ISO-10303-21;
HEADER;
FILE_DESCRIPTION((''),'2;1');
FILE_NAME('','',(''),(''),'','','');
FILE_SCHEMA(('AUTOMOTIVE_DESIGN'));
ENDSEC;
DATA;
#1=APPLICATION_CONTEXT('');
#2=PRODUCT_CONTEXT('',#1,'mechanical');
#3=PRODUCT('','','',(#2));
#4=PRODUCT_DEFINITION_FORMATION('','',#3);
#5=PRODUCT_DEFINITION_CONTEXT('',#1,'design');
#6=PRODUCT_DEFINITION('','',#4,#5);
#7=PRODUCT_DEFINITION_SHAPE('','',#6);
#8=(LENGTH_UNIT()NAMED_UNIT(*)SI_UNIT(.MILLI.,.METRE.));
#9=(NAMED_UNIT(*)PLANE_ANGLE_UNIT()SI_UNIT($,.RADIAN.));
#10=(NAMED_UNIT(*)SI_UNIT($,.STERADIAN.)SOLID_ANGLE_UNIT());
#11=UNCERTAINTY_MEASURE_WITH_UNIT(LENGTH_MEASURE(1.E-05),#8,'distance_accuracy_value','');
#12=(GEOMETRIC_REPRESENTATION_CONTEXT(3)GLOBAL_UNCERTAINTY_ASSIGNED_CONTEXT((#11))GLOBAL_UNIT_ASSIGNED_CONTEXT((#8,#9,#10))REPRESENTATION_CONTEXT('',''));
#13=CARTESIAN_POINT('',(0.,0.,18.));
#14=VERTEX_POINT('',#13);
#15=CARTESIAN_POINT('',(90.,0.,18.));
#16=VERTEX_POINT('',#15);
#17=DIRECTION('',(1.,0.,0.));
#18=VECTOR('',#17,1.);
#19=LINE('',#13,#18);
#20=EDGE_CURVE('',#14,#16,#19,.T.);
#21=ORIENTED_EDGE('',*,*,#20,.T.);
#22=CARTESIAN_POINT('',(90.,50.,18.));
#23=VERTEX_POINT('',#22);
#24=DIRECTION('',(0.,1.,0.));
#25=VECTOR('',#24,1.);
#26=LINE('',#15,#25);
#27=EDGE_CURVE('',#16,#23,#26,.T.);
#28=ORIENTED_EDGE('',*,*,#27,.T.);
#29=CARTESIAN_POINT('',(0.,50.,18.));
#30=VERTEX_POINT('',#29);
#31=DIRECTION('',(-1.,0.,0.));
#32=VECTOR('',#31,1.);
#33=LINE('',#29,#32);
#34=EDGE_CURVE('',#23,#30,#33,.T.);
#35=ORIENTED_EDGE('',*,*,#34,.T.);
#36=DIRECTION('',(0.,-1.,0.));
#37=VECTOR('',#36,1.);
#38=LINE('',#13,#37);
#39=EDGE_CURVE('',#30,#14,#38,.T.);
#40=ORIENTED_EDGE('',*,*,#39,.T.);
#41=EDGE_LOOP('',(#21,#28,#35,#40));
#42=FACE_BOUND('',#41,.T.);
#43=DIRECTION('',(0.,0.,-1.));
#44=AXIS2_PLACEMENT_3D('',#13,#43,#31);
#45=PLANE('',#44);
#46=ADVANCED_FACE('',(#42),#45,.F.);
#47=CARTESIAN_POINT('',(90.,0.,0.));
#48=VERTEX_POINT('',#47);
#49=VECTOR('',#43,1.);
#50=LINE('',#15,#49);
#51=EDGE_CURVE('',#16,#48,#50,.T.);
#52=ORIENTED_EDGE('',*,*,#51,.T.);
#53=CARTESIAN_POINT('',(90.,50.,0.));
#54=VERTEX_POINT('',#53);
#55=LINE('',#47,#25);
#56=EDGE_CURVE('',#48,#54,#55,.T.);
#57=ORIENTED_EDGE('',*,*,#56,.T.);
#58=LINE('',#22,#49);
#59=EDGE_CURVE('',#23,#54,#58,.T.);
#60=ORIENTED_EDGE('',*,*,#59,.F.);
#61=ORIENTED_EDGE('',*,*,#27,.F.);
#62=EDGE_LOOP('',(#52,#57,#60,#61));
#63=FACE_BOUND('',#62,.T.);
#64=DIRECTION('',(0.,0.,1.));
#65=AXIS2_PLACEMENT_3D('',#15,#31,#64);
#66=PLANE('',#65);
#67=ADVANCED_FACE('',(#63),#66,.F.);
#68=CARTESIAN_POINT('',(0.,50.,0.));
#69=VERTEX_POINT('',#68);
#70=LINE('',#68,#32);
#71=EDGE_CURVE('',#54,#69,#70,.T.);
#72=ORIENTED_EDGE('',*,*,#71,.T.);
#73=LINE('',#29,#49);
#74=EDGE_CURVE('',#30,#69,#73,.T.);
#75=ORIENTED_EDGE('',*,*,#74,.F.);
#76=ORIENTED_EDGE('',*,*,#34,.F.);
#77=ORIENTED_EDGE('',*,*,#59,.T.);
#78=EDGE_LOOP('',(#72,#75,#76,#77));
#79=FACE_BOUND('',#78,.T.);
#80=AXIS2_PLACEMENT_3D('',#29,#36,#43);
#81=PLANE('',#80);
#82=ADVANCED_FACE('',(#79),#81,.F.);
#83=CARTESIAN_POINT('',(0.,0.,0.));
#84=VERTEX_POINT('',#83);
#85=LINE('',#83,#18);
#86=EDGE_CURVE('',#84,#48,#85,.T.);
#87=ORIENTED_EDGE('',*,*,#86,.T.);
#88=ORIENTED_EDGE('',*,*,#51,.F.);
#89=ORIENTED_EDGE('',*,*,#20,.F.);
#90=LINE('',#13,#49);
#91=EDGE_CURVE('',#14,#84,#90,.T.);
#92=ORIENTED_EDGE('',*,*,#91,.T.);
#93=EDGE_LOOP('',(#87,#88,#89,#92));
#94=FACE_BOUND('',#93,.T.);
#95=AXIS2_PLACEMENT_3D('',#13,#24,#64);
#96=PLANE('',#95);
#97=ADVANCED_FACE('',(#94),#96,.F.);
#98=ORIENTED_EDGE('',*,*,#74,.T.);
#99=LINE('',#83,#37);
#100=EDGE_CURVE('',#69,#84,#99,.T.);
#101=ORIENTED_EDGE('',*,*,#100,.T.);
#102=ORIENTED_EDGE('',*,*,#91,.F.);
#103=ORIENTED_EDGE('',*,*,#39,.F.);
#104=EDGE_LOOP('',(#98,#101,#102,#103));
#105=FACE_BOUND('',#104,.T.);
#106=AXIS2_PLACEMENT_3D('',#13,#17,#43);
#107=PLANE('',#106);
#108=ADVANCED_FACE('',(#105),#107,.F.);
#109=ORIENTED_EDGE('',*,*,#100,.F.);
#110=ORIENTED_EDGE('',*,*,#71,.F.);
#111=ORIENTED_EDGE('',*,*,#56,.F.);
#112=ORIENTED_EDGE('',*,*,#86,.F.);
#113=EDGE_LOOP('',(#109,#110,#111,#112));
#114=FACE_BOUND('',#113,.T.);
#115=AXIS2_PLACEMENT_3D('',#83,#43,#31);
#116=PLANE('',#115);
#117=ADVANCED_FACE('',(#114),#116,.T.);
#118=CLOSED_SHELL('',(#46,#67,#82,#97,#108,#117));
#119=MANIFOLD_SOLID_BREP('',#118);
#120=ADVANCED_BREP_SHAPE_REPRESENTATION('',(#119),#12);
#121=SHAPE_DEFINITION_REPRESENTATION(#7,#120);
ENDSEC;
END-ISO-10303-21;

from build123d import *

# Parameters (mm, degrees)
ESQUISSE1_W        = 90
ESQUISSE1_H        = 50
BOSS_EXTRU_1_DEPTH = 18


with BuildPart() as part:
    # Esquisse1 → Boss.-Extru.1 (new body)
    with BuildSketch(Plane.XY):
        with Locations((45, 25)):
            Rectangle(ESQUISSE1_W, ESQUISSE1_H)
    extrude(amount=BOSS_EXTRU_1_DEPTH)


solid = part.part
